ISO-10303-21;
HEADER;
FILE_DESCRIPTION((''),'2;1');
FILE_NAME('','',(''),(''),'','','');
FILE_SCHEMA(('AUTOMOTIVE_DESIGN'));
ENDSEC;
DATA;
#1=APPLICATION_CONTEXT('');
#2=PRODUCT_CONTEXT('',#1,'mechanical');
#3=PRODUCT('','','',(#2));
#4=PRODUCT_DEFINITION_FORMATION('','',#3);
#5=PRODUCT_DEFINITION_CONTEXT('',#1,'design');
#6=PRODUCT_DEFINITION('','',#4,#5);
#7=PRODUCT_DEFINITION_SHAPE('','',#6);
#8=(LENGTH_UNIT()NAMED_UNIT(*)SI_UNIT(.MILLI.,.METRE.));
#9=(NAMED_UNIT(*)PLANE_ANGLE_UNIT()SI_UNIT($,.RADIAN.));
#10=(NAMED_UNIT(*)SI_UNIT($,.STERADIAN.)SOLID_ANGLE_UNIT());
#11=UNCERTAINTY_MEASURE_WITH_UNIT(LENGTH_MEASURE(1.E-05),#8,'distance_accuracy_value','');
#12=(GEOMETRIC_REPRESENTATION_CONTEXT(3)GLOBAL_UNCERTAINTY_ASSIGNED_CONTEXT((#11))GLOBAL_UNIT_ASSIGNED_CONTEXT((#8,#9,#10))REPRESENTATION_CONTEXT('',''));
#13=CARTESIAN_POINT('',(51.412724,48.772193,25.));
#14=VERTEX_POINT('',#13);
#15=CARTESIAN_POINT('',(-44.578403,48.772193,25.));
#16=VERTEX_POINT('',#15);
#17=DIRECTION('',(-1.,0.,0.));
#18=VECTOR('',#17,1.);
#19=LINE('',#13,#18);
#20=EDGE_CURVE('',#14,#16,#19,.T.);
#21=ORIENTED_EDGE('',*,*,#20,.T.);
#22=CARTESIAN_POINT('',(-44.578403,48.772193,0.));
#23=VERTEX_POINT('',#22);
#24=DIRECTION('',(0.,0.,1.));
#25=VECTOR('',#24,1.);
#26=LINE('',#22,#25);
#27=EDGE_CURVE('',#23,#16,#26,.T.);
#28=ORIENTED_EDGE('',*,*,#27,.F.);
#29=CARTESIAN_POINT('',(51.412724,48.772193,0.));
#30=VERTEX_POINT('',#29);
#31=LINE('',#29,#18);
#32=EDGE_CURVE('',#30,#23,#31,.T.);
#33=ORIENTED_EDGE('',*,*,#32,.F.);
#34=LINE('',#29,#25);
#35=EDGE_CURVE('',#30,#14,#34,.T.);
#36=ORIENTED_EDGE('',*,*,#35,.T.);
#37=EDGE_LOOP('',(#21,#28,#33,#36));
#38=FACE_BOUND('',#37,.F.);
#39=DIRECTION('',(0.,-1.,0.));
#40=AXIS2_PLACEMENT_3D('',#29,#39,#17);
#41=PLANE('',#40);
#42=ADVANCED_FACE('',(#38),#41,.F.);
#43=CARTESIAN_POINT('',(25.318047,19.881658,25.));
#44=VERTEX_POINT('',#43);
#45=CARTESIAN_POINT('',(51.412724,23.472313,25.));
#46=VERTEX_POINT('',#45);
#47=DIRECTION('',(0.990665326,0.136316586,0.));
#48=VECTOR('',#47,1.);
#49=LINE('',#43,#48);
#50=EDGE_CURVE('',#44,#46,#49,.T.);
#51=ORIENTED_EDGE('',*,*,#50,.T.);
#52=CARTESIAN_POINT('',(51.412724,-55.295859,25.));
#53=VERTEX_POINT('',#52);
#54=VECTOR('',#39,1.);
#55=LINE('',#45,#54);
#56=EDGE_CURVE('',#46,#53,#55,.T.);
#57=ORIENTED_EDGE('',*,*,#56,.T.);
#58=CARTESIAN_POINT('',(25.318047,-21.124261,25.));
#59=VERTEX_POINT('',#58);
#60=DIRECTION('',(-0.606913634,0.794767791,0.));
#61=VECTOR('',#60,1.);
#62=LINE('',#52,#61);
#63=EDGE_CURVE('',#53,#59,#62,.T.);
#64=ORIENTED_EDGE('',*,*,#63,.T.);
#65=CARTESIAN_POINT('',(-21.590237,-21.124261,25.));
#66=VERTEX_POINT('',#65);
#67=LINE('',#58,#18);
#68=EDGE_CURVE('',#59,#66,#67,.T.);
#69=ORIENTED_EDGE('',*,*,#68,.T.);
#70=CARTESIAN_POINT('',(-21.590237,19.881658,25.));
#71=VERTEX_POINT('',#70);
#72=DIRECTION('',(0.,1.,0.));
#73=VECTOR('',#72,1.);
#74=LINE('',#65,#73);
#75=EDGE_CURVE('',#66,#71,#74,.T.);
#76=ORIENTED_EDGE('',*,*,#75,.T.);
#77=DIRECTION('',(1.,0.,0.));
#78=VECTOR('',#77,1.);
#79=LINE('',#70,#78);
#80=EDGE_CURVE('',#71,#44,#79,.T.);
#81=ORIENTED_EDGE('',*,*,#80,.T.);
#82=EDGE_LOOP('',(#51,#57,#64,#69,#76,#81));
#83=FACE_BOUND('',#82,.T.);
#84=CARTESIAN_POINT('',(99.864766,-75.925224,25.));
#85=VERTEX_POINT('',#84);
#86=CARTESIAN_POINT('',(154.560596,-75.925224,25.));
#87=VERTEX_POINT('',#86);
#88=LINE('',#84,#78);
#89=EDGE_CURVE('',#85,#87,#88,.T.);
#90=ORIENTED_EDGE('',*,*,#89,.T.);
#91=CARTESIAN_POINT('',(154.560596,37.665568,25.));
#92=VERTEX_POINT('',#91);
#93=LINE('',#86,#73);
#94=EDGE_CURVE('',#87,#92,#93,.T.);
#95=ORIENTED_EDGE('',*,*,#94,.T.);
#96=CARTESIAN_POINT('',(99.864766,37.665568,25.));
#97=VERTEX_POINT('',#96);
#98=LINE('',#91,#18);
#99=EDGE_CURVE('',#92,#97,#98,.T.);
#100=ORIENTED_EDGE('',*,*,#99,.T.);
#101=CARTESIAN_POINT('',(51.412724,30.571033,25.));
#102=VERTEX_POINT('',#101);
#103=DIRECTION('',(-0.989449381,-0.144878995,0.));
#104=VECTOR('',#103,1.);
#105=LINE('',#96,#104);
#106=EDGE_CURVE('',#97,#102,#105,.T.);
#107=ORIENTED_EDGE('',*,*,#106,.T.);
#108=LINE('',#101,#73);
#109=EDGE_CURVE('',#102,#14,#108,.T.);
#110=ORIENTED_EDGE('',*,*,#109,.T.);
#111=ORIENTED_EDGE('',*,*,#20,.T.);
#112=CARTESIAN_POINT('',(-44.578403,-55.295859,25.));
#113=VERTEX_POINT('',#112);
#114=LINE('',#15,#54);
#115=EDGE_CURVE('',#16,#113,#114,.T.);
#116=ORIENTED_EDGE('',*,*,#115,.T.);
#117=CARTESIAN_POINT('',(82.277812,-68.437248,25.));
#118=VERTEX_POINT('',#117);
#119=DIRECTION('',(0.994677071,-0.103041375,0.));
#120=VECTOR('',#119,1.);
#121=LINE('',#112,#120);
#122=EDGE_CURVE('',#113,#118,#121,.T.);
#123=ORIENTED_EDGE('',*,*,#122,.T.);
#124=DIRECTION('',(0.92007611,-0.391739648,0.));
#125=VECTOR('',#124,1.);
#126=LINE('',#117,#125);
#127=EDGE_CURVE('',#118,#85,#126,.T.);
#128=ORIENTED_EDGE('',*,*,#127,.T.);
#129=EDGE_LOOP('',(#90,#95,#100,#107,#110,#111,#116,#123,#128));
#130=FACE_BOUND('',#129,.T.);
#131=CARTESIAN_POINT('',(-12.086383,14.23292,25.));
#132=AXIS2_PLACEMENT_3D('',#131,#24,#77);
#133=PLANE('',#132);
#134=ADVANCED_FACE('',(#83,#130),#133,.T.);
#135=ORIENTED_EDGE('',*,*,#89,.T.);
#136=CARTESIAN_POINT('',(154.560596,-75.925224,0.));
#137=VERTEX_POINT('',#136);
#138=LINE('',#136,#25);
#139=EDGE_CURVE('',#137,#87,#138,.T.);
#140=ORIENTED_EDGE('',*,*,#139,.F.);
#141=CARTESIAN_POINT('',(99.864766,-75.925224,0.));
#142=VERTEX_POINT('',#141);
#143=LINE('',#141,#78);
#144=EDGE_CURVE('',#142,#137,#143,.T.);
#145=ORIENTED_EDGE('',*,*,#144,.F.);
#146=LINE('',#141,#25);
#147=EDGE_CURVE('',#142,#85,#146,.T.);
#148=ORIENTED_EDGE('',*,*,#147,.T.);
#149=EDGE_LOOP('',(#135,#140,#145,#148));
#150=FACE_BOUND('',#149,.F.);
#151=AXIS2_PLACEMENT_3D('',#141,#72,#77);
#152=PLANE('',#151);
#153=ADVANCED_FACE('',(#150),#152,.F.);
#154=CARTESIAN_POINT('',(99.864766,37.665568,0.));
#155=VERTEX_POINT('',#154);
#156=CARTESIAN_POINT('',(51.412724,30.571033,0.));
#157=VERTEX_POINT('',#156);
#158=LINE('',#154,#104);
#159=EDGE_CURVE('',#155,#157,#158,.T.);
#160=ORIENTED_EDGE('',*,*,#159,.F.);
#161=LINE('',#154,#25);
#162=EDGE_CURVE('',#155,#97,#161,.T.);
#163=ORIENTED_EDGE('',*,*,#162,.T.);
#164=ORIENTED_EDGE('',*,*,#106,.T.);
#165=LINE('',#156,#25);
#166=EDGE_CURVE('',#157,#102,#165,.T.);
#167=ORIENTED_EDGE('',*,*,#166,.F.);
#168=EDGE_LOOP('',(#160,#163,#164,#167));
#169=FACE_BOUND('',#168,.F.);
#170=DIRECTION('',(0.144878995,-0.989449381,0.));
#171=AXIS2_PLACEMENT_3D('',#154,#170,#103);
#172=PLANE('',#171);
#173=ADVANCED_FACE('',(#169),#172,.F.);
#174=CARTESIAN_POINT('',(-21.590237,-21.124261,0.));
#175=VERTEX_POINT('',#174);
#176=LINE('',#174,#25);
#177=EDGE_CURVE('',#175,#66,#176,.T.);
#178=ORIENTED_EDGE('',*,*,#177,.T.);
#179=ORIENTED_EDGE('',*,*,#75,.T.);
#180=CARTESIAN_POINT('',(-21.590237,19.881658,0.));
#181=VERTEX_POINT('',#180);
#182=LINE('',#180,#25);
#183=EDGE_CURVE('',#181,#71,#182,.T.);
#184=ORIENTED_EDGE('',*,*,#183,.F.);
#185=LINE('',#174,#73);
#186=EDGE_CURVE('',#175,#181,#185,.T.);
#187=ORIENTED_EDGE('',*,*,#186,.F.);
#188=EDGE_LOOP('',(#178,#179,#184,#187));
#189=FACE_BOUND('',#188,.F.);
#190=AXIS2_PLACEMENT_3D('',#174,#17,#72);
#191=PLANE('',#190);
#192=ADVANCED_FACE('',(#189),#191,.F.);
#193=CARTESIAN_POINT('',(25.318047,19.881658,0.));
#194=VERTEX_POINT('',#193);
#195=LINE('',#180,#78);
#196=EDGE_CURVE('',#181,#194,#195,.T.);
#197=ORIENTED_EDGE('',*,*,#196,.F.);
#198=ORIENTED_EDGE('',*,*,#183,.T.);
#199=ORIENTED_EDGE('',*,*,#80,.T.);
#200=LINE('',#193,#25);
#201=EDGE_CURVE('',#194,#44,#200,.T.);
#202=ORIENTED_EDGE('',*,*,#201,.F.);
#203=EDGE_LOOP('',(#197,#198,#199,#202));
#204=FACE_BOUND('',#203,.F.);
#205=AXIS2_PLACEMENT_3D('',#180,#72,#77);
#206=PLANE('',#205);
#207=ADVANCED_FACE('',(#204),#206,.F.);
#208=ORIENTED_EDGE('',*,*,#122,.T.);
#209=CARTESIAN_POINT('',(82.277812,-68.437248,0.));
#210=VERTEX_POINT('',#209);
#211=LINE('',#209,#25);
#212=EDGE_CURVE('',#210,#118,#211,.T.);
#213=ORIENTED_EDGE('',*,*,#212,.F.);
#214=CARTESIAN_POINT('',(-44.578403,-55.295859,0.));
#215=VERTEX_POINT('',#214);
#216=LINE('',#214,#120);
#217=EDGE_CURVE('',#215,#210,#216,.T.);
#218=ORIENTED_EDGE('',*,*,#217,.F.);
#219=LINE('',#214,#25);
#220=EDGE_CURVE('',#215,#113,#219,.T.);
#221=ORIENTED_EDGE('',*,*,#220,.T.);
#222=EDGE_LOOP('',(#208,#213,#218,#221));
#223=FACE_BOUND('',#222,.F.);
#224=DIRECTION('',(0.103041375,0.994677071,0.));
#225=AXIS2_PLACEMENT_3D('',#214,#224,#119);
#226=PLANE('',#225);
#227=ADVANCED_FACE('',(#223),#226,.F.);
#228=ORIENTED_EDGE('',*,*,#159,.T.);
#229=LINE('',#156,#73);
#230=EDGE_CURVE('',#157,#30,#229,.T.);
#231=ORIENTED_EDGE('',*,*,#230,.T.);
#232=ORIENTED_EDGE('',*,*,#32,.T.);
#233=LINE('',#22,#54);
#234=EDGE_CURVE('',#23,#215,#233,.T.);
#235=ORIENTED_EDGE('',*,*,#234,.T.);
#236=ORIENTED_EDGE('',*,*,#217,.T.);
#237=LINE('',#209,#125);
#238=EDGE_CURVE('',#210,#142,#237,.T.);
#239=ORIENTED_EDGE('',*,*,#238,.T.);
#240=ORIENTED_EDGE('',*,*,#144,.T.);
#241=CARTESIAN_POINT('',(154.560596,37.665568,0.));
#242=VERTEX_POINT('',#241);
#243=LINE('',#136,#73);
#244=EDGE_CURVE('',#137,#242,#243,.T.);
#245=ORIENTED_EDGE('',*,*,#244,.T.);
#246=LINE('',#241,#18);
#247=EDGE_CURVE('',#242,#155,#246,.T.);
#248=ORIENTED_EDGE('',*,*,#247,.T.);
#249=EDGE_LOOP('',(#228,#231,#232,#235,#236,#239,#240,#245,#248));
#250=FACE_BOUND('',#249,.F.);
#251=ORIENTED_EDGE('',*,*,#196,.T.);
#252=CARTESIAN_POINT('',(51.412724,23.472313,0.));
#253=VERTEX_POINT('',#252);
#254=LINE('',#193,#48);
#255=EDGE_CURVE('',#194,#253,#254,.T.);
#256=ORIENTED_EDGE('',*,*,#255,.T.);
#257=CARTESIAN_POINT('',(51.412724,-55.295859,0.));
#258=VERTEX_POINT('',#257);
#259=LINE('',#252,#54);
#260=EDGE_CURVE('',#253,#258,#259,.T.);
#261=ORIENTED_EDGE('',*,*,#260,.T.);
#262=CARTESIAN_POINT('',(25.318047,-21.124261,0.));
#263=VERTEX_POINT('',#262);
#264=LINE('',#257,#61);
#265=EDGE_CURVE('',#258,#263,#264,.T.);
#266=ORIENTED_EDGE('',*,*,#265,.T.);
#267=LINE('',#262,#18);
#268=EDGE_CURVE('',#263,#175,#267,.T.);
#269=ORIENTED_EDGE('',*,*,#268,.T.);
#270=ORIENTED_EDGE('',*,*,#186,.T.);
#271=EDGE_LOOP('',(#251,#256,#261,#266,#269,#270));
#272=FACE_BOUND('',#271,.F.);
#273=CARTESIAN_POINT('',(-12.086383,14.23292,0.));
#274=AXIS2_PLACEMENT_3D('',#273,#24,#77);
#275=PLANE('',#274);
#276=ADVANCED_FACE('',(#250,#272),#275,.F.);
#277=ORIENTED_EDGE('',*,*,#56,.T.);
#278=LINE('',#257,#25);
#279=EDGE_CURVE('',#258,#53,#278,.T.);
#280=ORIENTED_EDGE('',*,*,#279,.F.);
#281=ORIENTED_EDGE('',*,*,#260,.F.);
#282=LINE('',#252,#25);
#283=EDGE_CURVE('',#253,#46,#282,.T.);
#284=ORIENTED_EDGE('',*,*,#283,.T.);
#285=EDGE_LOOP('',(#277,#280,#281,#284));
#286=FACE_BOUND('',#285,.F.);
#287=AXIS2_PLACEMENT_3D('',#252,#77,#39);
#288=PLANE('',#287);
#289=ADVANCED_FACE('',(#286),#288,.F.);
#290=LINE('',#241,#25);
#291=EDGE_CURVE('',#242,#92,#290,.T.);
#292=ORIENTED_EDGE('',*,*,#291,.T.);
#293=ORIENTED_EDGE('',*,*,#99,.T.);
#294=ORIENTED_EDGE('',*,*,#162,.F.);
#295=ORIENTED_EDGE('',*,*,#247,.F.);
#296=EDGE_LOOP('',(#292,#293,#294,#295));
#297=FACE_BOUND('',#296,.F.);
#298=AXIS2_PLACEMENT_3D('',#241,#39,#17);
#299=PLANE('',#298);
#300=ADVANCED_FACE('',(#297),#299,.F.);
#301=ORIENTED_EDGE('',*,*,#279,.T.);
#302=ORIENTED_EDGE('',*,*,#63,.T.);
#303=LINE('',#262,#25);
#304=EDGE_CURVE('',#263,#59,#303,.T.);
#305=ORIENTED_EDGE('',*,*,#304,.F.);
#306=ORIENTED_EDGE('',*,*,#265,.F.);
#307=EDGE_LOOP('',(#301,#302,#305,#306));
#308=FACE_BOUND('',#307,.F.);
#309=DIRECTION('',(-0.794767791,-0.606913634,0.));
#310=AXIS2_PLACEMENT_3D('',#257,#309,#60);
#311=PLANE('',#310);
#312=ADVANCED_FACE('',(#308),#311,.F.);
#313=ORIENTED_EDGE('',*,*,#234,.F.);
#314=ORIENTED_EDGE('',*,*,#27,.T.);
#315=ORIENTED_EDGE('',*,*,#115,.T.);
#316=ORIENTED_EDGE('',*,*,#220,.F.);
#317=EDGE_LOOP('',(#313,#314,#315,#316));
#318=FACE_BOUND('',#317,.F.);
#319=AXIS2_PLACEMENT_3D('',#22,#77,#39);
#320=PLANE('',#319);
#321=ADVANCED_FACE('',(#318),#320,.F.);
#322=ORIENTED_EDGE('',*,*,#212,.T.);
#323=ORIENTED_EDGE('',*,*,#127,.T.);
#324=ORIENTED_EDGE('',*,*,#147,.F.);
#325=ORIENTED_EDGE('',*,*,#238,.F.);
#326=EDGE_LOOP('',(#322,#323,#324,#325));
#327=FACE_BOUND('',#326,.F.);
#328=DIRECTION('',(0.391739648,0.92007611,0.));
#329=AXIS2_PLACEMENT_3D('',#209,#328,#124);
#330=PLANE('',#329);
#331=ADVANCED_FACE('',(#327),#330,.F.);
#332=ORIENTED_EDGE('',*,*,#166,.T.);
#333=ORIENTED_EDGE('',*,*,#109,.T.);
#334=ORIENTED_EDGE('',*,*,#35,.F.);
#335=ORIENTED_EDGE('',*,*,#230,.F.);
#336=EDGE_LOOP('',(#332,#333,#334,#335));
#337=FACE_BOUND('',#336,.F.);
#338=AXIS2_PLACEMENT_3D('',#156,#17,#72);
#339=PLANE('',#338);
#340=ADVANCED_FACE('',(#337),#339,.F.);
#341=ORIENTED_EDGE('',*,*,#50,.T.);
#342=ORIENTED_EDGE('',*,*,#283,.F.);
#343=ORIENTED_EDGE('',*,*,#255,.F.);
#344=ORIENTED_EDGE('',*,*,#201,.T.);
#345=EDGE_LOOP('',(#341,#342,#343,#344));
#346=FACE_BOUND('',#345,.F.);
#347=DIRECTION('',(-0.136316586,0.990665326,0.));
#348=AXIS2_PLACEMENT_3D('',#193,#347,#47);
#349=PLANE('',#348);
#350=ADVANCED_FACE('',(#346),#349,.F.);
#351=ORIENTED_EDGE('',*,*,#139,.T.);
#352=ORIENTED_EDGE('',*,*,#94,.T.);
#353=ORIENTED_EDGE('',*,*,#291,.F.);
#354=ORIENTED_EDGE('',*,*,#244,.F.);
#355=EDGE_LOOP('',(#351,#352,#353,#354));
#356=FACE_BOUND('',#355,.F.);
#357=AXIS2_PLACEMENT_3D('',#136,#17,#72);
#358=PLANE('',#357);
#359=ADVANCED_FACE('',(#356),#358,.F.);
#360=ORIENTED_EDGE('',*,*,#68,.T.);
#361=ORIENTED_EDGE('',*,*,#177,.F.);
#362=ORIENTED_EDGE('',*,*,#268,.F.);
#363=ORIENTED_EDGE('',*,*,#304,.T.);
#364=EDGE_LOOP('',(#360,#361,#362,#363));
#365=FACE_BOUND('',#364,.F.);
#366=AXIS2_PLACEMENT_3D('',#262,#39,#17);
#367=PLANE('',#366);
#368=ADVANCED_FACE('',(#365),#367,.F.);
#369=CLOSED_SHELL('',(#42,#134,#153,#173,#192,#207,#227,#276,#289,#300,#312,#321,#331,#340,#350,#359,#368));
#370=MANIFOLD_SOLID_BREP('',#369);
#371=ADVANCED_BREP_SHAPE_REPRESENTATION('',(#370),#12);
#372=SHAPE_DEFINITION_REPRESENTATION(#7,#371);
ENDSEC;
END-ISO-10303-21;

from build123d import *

# Parameters (mm, degrees)
F1_DEPTH = 25


with BuildPart() as f1:
    # F0 (on Top) → F1 (new body)
    with BuildSketch(Plane.XY):
        Polygon((51.4127239585, 48.7721934915), (-37.7440825105, 48.7721934915), (-44.5784032345, 48.7721934915), (-44.5784032345, -55.2958585322), (-21.5902365744, -21.1242605001), (-21.5902365744, 19.8816582561), (51.4127239585, 30.571033374), align=None)
        Polygon((99.8647660017, 37.6655682921), (51.4127239585, 30.571033374), (51.4127239585, 23.4723131254), (99.8647660017, 30.1393648456), align=None)
        Polygon((51.4127239585, 23.4723131254), (51.4127239585, 30.571033374), (-21.5902365744, 19.8816582561), (25.3180470318, 19.8816582561), align=None)
        Polygon((-21.5902365744, -21.1242605001), (-44.5784032345, -55.2958585322), (51.4127239585, -55.2958585322), (25.3180470318, -21.1242605001), align=None)
        Polygon((51.4127239585, -55.2958585322), (-44.5784032345, -55.2958585322), (82.2778115873, -68.4372480694), align=None)
        Polygon((99.8647660017, 30.1393648456), (51.4127239585, 23.4723131254), (51.4127239585, -55.2958585322), (82.2778115873, -68.4372480694), (99.8647660017, -70.2591297885), align=None)
        Polygon((154.5605957508, 37.6655682921), (99.8647660017, 37.6655682921), (99.8647660017, 30.1393648456), align=None)
        Polygon((99.8647660017, -70.2591297885), (82.2778115873, -68.4372480694), (99.8647660017, -75.9252235293), align=None)
        Polygon((154.5605957508, 37.6655682921), (99.8647660017, 30.1393648456), (99.8647660017, -70.2591297885), (154.5605957508, -75.9252235293), align=None)
        Polygon((154.5605957508, -75.9252235293), (99.8647660017, -70.2591297885), (99.8647660017, -75.9252235293), align=None)
    extrude(amount=F1_DEPTH)


solid = f1.part
